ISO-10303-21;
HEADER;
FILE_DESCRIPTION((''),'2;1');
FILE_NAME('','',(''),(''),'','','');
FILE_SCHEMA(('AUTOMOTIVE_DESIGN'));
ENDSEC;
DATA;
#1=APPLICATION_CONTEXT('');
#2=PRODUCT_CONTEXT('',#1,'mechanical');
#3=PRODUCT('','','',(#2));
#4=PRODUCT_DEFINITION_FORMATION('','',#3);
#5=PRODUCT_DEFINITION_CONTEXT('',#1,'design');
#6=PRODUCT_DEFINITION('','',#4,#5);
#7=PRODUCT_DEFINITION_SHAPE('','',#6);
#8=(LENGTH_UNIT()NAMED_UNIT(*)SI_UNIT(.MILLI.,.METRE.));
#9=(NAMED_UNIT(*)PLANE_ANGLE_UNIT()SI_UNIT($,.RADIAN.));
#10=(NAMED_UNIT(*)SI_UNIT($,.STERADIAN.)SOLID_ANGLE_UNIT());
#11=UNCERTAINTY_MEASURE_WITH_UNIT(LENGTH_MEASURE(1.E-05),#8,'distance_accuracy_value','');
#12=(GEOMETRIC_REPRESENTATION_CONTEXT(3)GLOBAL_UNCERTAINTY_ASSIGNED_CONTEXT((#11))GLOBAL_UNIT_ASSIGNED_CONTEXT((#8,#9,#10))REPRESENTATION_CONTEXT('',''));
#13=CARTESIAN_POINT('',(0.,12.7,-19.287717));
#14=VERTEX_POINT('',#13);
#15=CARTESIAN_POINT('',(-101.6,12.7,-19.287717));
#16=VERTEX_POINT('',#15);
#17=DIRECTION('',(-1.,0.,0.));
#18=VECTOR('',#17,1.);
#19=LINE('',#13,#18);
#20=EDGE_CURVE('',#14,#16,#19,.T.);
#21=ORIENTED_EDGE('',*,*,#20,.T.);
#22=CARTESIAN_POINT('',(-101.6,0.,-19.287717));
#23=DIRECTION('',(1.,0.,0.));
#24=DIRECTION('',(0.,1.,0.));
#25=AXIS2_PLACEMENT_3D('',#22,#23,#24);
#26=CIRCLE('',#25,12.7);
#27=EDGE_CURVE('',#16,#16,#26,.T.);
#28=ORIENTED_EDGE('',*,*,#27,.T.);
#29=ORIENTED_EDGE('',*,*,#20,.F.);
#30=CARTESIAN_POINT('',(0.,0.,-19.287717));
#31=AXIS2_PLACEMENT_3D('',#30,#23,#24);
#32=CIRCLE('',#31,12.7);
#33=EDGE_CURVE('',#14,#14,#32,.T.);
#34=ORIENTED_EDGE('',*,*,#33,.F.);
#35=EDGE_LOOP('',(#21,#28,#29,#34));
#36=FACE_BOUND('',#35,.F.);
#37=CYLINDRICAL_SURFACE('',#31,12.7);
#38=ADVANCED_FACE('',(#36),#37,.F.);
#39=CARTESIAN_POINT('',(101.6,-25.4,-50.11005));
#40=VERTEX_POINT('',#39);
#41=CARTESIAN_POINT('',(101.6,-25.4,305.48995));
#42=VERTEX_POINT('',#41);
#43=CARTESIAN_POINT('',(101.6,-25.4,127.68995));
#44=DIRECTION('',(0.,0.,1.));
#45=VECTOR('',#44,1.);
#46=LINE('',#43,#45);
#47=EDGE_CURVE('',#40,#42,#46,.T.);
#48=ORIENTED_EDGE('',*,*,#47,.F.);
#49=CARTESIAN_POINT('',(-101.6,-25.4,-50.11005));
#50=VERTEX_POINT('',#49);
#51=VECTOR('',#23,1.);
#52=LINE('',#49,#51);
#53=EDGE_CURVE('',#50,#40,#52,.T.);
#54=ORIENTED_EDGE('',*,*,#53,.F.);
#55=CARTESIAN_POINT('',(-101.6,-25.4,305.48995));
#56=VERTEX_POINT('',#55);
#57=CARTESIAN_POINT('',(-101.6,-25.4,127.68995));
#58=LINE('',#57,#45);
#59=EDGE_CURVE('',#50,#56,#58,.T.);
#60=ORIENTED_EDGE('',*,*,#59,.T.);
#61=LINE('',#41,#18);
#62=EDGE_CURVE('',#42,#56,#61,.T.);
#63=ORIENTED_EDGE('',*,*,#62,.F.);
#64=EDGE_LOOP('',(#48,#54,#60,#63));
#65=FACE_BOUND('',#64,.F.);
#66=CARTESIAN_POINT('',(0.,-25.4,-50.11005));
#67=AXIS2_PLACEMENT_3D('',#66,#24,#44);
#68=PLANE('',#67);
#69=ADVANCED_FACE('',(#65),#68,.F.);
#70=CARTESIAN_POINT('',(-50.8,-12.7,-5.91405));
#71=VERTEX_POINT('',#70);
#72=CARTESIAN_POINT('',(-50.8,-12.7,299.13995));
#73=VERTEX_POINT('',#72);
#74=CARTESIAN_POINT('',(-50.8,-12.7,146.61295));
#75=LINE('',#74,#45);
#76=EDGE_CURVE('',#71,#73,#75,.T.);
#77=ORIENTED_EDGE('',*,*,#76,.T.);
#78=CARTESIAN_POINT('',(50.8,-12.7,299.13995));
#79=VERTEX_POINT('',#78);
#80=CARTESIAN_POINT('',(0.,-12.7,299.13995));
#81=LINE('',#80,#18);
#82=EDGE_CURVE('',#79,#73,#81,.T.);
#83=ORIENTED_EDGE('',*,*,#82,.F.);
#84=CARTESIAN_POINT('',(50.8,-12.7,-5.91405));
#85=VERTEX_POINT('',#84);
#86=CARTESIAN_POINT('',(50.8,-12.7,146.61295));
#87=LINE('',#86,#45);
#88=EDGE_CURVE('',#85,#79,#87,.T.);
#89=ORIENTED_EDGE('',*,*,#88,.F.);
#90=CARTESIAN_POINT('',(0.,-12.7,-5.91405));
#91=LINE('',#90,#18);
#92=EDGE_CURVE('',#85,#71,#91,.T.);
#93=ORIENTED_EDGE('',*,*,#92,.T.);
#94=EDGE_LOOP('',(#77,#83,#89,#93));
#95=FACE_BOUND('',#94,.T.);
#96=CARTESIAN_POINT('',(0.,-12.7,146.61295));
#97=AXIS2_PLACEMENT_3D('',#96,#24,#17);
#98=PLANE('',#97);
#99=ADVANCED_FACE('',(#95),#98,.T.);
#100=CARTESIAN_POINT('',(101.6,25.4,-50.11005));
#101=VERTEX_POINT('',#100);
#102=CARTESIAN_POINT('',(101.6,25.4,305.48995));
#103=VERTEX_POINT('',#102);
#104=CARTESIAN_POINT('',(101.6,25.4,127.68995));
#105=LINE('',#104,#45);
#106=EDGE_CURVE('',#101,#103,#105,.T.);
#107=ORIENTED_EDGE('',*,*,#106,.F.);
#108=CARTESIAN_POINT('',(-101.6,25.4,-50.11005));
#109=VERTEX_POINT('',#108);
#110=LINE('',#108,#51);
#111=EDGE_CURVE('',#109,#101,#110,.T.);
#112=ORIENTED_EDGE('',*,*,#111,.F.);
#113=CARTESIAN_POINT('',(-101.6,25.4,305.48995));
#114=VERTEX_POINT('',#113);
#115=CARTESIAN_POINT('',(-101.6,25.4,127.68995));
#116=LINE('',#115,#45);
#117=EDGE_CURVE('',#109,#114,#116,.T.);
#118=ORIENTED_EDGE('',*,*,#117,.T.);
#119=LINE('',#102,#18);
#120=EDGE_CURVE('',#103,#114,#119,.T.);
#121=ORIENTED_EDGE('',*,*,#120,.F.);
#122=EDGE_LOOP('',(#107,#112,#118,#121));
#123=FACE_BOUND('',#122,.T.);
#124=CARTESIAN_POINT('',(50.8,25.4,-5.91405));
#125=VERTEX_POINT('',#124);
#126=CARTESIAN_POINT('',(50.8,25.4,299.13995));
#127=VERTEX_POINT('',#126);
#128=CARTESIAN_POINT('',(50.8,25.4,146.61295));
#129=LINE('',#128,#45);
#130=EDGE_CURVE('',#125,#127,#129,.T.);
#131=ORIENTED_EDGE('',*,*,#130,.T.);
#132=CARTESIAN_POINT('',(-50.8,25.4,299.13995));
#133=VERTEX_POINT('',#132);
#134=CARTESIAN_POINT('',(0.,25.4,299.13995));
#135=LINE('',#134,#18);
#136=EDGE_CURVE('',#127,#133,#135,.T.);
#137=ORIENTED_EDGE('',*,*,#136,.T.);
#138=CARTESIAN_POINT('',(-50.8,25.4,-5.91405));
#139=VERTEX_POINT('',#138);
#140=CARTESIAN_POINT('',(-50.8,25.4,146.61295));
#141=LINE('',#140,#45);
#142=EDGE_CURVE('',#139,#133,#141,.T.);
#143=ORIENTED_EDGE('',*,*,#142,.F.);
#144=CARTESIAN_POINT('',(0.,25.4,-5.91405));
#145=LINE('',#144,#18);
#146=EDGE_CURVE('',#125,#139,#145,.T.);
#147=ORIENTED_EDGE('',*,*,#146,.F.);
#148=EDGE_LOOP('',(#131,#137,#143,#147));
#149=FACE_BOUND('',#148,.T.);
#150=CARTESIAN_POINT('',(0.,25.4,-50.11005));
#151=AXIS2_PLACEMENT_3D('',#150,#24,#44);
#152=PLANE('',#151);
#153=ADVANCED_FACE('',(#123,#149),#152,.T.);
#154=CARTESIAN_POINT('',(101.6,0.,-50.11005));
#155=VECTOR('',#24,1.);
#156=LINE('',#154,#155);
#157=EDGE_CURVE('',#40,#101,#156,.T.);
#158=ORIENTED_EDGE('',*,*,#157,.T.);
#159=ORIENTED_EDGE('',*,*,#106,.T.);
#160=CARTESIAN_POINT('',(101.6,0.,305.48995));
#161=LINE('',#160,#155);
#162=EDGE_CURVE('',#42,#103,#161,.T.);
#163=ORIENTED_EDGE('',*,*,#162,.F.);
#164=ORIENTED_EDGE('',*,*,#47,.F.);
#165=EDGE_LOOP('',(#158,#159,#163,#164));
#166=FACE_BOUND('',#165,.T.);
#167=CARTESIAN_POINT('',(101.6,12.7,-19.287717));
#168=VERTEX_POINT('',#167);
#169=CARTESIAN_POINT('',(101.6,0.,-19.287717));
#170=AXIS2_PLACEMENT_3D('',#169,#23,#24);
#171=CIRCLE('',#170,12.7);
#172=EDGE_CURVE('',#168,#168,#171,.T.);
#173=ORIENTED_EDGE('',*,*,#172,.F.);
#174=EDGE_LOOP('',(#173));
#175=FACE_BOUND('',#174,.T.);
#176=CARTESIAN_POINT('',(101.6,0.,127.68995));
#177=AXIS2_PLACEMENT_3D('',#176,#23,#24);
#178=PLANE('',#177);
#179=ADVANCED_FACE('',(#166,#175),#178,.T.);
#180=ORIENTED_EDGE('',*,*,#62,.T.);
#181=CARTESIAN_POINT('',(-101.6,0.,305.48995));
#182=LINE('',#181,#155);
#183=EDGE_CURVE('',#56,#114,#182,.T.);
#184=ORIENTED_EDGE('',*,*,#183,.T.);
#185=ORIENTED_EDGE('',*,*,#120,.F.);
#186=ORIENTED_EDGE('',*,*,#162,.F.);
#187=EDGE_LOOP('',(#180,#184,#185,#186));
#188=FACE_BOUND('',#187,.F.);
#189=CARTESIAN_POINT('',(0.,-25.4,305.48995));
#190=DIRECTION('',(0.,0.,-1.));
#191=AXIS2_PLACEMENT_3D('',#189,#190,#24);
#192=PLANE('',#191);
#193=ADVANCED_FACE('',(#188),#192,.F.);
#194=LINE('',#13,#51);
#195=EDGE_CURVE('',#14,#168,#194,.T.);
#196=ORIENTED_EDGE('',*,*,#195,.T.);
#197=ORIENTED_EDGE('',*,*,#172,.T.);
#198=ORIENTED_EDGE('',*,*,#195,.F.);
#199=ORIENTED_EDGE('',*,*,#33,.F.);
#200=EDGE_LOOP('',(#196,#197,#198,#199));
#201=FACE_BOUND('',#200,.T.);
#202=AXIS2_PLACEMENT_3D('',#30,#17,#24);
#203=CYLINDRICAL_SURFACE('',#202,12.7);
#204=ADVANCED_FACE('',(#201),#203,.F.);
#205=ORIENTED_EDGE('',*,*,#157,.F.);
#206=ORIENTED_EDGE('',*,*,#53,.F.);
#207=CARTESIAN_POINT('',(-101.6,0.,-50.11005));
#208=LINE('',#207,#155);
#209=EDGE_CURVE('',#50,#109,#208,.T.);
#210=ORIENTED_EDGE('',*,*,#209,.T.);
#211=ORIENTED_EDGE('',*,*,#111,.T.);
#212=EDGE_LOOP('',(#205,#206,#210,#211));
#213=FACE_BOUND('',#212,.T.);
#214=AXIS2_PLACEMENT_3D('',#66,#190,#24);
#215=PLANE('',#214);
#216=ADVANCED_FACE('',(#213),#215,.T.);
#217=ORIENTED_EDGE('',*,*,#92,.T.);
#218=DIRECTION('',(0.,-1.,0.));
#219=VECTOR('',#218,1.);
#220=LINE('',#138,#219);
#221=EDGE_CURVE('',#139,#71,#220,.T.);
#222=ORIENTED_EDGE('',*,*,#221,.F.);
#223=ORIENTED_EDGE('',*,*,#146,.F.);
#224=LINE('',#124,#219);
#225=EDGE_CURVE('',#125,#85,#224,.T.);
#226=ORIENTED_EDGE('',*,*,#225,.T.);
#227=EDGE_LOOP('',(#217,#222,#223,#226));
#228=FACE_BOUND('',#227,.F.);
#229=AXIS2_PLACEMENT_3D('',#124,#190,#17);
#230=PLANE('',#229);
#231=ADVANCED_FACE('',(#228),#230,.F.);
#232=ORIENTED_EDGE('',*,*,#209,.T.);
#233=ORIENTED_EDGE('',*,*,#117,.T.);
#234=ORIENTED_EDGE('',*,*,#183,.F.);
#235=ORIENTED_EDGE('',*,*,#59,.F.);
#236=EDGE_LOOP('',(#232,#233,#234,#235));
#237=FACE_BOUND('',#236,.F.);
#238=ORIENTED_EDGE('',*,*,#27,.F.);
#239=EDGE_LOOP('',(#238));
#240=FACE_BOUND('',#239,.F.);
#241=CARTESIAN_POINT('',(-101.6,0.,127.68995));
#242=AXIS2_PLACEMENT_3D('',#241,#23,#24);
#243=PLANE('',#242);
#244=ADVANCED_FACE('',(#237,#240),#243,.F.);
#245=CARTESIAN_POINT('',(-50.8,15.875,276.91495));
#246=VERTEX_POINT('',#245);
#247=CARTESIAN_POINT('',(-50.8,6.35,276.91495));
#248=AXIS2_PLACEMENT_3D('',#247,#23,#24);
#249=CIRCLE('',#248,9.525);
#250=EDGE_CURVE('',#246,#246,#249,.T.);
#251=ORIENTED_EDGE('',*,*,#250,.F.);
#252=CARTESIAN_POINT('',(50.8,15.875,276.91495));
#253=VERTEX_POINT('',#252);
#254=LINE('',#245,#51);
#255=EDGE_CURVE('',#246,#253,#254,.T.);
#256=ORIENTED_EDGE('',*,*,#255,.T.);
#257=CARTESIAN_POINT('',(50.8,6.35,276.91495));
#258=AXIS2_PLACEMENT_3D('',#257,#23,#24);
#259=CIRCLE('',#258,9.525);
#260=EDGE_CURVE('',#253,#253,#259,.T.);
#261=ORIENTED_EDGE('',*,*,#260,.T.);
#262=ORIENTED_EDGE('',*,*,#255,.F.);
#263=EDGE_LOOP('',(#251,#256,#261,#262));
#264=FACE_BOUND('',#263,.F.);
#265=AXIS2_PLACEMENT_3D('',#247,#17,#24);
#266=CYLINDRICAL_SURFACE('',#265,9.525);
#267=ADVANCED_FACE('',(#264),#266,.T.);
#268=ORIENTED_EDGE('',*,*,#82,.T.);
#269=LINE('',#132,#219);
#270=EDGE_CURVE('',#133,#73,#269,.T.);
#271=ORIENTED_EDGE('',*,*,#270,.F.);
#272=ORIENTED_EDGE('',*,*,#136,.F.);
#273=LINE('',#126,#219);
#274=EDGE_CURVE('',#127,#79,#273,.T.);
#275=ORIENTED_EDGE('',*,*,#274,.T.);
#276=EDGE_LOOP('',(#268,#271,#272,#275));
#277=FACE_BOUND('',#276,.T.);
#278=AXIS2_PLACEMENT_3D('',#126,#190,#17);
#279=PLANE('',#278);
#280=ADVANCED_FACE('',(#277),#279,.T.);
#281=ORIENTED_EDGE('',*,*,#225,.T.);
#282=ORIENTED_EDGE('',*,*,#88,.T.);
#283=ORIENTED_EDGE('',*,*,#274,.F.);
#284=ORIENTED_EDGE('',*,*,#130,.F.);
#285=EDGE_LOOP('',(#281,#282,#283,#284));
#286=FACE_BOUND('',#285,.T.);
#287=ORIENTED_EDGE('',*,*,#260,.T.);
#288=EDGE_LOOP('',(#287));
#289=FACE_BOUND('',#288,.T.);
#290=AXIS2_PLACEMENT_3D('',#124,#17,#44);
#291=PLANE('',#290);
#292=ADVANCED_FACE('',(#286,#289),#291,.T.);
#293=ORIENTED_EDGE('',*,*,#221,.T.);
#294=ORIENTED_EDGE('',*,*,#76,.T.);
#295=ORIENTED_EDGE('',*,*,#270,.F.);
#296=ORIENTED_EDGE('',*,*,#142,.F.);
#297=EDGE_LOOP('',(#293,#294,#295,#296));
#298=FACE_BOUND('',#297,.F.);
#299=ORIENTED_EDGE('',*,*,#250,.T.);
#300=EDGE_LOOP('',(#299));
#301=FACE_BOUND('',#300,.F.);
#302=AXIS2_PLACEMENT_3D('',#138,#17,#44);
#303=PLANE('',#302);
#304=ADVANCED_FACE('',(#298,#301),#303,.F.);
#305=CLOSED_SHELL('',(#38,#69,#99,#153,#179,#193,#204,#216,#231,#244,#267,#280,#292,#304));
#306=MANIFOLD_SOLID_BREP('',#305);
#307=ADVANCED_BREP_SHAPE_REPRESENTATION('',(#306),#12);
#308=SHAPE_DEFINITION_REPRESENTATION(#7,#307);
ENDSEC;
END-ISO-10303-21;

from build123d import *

# Parameters (mm, degrees)
F0_W          = 50.8
F0_H          = 355.6
F0_R          = 12.7
F1_DEPTH      = 101.6
F1_DEPTH_BACK = 101.6
F2_W          = 101.6
F2_H          = 305.054
F3_DEPTH      = 38.1
F4_R          = 9.525
F5_DEPTH      = 101.6


with BuildPart() as f1:
    # F0 (on Right) → F1 (new body, two sides)
    with BuildSketch(Plane.YZ) as f1_sk:
        with Locations((0, 127.68995)):
            Rectangle(F0_W, F0_H)
        with Locations((0, -19.287717)):
            Circle(F0_R, mode=Mode.SUBTRACT)
    extrude(amount=F1_DEPTH)
    extrude(f1_sk.sketch, amount=-F1_DEPTH_BACK)

    # F2 (on face) → F3 (cut)
    with BuildSketch(Plane(origin=(0, 25.4, 0), x_dir=(-1, 0, 0), z_dir=(0, 1, 0))):
        with Locations((0, 146.61295)):
            Rectangle(F2_W, F2_H)
    extrude(amount=-F3_DEPTH, mode=Mode.SUBTRACT)

    # F4 (on face) → F5 (join, through all)
    with BuildSketch(Plane.YZ.offset(-50.8)):
        with Locations((6.35, 276.91495)):
            Circle(F4_R)
    extrude(amount=F5_DEPTH)


solid = f1.part
